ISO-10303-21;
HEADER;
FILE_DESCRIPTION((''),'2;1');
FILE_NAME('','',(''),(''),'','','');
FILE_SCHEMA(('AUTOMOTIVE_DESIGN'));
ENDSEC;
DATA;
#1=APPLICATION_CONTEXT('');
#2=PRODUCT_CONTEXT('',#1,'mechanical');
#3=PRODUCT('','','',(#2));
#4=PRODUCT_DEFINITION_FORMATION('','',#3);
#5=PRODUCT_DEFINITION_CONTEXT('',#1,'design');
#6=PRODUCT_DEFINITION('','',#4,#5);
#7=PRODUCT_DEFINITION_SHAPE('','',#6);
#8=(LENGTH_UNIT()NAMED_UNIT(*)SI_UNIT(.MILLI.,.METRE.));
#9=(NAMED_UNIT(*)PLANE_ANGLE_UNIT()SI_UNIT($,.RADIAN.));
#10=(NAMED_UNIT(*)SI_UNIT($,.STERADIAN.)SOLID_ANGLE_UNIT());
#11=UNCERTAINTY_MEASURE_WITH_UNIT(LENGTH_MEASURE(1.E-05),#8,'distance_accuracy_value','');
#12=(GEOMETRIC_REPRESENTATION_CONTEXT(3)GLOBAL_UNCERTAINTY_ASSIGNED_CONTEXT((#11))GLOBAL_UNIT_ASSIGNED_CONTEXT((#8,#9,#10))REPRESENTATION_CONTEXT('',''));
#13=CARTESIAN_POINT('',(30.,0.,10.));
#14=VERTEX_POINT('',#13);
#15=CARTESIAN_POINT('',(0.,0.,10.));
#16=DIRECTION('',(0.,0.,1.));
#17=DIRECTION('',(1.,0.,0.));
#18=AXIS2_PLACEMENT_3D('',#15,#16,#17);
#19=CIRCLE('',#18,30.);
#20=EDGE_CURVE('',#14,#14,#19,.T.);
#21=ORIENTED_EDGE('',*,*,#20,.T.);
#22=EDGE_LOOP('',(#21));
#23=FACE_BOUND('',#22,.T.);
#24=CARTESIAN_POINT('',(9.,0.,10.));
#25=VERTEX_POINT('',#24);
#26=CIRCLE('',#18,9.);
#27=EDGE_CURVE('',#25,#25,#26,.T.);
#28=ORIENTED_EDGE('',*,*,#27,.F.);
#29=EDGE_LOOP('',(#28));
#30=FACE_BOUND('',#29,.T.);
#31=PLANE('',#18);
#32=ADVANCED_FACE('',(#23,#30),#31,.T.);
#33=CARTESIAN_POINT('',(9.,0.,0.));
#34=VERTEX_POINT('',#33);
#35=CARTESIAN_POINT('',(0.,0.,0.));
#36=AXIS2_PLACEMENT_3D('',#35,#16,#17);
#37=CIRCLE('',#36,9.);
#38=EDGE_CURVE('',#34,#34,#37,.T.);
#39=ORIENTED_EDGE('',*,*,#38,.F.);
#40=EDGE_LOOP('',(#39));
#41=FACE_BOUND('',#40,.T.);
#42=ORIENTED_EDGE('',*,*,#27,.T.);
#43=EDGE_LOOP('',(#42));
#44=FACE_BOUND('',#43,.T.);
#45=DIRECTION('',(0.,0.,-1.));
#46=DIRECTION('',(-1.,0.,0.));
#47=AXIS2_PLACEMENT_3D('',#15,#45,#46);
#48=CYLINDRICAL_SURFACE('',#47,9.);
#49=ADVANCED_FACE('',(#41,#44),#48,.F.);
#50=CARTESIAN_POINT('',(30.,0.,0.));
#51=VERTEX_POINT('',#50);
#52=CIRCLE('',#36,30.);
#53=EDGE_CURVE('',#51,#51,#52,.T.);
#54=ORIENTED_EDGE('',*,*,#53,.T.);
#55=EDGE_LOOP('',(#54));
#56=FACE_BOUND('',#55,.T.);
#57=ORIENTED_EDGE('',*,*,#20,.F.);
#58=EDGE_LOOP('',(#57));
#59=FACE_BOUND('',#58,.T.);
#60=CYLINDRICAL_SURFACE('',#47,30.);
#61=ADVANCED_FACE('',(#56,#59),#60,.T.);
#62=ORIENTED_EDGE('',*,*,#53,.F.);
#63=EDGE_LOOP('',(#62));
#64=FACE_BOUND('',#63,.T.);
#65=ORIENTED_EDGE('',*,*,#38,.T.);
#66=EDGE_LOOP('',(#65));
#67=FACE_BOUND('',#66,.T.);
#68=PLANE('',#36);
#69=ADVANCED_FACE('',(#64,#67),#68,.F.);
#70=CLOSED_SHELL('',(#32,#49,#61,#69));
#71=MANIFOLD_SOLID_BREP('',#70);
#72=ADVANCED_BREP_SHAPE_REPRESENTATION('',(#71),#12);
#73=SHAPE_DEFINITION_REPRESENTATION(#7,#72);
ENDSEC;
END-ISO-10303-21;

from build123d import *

# Parameters (mm, degrees)
SKETCH1_R           = 30
SKETCH1_R_2         = 9
BOSS_EXTRUDE1_DEPTH = 10


with BuildPart() as part:
    # Sketch1 → Boss-Extrude1 (new body)
    with BuildSketch(Plane.XY):
        Circle(SKETCH1_R)
        Circle(SKETCH1_R_2, mode=Mode.SUBTRACT)
    extrude(amount=BOSS_EXTRUDE1_DEPTH)


solid = part.part
